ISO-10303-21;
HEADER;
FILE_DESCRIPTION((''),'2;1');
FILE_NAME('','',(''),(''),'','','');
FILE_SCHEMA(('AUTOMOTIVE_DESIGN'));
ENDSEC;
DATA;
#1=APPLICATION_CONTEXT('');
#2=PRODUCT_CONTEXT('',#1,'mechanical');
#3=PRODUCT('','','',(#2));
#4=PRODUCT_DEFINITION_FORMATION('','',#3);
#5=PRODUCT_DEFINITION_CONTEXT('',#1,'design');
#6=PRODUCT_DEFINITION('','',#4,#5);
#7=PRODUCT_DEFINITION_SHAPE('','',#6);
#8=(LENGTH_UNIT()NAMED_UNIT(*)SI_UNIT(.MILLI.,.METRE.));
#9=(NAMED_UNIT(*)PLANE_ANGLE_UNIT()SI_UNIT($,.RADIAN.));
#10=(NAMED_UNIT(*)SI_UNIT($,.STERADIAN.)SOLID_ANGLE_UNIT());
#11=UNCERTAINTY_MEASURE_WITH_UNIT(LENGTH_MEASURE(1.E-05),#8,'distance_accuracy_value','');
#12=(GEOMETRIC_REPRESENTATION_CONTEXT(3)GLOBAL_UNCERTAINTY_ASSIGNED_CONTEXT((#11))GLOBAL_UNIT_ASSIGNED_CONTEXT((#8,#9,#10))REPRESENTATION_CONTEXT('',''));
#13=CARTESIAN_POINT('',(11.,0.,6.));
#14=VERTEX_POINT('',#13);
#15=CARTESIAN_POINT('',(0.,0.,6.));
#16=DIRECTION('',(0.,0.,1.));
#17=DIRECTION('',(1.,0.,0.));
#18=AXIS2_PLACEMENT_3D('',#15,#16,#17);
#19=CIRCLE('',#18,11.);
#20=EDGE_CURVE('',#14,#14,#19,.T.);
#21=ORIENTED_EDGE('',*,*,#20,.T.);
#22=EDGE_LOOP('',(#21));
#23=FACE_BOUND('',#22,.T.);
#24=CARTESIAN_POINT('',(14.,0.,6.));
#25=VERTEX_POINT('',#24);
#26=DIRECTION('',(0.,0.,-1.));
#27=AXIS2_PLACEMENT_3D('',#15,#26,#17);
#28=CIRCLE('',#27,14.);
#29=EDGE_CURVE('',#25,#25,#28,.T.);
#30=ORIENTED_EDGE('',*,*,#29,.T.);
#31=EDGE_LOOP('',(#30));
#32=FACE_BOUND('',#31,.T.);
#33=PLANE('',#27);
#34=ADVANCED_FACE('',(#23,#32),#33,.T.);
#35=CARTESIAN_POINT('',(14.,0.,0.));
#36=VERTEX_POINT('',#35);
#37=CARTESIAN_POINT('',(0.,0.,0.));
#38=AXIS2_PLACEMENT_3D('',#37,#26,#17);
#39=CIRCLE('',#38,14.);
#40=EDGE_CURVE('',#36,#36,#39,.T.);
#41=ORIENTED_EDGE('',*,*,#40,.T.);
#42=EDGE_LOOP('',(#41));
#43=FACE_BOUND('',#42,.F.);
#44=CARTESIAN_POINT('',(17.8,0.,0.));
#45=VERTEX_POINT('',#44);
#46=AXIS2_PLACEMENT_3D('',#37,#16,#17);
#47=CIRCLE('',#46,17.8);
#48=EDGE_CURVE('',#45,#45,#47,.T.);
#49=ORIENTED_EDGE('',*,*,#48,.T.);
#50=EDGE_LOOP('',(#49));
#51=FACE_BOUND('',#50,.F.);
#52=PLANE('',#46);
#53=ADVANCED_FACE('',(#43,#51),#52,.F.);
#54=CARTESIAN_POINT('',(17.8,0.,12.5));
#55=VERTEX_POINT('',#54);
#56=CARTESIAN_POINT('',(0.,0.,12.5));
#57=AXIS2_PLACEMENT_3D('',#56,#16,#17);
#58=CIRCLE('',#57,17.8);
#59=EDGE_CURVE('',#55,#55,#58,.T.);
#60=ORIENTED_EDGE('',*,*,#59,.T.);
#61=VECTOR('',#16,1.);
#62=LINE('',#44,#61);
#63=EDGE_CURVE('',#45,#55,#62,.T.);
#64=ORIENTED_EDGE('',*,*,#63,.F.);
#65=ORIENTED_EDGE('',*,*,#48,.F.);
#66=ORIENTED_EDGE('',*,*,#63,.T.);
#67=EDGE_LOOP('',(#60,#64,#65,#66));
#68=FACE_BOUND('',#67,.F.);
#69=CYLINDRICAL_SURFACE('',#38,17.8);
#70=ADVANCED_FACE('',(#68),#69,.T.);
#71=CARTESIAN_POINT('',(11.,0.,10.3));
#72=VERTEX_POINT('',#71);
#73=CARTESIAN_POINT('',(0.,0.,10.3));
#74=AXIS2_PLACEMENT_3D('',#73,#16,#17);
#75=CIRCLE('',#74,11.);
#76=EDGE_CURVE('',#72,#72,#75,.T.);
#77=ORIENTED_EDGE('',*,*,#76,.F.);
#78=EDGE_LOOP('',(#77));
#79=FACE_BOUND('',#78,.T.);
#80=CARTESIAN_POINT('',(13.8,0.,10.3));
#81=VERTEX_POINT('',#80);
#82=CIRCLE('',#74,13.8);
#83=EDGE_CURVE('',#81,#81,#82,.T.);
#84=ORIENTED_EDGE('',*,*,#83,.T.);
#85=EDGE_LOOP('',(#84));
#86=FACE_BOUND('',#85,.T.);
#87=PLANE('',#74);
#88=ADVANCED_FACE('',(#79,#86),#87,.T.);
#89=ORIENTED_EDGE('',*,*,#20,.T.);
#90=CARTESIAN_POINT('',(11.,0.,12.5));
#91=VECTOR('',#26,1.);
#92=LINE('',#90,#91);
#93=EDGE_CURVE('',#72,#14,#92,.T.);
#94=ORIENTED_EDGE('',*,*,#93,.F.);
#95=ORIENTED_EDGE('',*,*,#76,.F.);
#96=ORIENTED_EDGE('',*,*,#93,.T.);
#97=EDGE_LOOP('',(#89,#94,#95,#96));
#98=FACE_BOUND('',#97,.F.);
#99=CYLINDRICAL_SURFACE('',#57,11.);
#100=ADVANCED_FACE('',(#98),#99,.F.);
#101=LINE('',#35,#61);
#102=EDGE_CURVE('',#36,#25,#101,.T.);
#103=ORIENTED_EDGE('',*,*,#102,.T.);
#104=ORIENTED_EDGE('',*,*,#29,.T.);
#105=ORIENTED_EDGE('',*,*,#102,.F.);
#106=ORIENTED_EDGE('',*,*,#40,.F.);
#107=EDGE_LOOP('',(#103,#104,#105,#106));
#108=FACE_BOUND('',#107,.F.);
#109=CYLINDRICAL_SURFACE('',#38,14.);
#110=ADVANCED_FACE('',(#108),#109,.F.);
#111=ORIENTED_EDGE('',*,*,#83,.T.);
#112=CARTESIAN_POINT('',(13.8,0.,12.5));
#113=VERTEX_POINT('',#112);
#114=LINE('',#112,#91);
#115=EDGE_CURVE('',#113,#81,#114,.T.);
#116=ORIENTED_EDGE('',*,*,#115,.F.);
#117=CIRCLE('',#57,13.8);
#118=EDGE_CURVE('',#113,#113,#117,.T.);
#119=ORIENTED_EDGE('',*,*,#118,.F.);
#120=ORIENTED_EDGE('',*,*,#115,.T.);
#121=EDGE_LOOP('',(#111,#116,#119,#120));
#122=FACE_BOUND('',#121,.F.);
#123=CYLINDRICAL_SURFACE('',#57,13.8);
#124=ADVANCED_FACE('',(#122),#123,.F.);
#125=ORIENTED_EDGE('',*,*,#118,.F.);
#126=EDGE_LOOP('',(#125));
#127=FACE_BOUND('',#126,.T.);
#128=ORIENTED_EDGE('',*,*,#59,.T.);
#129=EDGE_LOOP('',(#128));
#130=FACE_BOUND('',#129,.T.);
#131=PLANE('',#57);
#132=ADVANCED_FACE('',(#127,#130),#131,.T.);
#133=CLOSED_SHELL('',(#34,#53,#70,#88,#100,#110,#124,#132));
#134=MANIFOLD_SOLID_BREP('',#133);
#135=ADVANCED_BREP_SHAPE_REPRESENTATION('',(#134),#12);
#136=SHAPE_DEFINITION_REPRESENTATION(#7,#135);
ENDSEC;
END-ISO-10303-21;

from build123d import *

# Parameters (mm, degrees)
F0_R     = 17.8
F1_DEPTH = 12.5
F2_R     = 11
F3_DEPTH = 25
F4_R     = 14
F5_DEPTH = 6
F6_R     = 13.8
F7_DEPTH = 2.2


with BuildPart() as f1:
    # F0 (on Top) → F1 (new body)
    with BuildSketch(Plane.XY):
        Circle(F0_R)
    extrude(amount=F1_DEPTH)

    # F2 (on face) → F3 (cut)
    with BuildSketch(Plane.XY.offset(12.5)):
        Circle(F2_R)
    extrude(amount=-F3_DEPTH, mode=Mode.SUBTRACT)

    # F4 (on face) → F5 (cut)
    with BuildSketch(Plane(origin=(0, 0, 0), x_dir=(1, 0, 0), z_dir=(0, 0, -1))):
        Circle(F4_R)
    extrude(amount=-F5_DEPTH, mode=Mode.SUBTRACT)

    # F6 (on face) → F7 (cut)
    with BuildSketch(Plane.XY.offset(12.5)):
        Circle(F6_R)
    extrude(amount=-F7_DEPTH, mode=Mode.SUBTRACT)


solid = f1.part
